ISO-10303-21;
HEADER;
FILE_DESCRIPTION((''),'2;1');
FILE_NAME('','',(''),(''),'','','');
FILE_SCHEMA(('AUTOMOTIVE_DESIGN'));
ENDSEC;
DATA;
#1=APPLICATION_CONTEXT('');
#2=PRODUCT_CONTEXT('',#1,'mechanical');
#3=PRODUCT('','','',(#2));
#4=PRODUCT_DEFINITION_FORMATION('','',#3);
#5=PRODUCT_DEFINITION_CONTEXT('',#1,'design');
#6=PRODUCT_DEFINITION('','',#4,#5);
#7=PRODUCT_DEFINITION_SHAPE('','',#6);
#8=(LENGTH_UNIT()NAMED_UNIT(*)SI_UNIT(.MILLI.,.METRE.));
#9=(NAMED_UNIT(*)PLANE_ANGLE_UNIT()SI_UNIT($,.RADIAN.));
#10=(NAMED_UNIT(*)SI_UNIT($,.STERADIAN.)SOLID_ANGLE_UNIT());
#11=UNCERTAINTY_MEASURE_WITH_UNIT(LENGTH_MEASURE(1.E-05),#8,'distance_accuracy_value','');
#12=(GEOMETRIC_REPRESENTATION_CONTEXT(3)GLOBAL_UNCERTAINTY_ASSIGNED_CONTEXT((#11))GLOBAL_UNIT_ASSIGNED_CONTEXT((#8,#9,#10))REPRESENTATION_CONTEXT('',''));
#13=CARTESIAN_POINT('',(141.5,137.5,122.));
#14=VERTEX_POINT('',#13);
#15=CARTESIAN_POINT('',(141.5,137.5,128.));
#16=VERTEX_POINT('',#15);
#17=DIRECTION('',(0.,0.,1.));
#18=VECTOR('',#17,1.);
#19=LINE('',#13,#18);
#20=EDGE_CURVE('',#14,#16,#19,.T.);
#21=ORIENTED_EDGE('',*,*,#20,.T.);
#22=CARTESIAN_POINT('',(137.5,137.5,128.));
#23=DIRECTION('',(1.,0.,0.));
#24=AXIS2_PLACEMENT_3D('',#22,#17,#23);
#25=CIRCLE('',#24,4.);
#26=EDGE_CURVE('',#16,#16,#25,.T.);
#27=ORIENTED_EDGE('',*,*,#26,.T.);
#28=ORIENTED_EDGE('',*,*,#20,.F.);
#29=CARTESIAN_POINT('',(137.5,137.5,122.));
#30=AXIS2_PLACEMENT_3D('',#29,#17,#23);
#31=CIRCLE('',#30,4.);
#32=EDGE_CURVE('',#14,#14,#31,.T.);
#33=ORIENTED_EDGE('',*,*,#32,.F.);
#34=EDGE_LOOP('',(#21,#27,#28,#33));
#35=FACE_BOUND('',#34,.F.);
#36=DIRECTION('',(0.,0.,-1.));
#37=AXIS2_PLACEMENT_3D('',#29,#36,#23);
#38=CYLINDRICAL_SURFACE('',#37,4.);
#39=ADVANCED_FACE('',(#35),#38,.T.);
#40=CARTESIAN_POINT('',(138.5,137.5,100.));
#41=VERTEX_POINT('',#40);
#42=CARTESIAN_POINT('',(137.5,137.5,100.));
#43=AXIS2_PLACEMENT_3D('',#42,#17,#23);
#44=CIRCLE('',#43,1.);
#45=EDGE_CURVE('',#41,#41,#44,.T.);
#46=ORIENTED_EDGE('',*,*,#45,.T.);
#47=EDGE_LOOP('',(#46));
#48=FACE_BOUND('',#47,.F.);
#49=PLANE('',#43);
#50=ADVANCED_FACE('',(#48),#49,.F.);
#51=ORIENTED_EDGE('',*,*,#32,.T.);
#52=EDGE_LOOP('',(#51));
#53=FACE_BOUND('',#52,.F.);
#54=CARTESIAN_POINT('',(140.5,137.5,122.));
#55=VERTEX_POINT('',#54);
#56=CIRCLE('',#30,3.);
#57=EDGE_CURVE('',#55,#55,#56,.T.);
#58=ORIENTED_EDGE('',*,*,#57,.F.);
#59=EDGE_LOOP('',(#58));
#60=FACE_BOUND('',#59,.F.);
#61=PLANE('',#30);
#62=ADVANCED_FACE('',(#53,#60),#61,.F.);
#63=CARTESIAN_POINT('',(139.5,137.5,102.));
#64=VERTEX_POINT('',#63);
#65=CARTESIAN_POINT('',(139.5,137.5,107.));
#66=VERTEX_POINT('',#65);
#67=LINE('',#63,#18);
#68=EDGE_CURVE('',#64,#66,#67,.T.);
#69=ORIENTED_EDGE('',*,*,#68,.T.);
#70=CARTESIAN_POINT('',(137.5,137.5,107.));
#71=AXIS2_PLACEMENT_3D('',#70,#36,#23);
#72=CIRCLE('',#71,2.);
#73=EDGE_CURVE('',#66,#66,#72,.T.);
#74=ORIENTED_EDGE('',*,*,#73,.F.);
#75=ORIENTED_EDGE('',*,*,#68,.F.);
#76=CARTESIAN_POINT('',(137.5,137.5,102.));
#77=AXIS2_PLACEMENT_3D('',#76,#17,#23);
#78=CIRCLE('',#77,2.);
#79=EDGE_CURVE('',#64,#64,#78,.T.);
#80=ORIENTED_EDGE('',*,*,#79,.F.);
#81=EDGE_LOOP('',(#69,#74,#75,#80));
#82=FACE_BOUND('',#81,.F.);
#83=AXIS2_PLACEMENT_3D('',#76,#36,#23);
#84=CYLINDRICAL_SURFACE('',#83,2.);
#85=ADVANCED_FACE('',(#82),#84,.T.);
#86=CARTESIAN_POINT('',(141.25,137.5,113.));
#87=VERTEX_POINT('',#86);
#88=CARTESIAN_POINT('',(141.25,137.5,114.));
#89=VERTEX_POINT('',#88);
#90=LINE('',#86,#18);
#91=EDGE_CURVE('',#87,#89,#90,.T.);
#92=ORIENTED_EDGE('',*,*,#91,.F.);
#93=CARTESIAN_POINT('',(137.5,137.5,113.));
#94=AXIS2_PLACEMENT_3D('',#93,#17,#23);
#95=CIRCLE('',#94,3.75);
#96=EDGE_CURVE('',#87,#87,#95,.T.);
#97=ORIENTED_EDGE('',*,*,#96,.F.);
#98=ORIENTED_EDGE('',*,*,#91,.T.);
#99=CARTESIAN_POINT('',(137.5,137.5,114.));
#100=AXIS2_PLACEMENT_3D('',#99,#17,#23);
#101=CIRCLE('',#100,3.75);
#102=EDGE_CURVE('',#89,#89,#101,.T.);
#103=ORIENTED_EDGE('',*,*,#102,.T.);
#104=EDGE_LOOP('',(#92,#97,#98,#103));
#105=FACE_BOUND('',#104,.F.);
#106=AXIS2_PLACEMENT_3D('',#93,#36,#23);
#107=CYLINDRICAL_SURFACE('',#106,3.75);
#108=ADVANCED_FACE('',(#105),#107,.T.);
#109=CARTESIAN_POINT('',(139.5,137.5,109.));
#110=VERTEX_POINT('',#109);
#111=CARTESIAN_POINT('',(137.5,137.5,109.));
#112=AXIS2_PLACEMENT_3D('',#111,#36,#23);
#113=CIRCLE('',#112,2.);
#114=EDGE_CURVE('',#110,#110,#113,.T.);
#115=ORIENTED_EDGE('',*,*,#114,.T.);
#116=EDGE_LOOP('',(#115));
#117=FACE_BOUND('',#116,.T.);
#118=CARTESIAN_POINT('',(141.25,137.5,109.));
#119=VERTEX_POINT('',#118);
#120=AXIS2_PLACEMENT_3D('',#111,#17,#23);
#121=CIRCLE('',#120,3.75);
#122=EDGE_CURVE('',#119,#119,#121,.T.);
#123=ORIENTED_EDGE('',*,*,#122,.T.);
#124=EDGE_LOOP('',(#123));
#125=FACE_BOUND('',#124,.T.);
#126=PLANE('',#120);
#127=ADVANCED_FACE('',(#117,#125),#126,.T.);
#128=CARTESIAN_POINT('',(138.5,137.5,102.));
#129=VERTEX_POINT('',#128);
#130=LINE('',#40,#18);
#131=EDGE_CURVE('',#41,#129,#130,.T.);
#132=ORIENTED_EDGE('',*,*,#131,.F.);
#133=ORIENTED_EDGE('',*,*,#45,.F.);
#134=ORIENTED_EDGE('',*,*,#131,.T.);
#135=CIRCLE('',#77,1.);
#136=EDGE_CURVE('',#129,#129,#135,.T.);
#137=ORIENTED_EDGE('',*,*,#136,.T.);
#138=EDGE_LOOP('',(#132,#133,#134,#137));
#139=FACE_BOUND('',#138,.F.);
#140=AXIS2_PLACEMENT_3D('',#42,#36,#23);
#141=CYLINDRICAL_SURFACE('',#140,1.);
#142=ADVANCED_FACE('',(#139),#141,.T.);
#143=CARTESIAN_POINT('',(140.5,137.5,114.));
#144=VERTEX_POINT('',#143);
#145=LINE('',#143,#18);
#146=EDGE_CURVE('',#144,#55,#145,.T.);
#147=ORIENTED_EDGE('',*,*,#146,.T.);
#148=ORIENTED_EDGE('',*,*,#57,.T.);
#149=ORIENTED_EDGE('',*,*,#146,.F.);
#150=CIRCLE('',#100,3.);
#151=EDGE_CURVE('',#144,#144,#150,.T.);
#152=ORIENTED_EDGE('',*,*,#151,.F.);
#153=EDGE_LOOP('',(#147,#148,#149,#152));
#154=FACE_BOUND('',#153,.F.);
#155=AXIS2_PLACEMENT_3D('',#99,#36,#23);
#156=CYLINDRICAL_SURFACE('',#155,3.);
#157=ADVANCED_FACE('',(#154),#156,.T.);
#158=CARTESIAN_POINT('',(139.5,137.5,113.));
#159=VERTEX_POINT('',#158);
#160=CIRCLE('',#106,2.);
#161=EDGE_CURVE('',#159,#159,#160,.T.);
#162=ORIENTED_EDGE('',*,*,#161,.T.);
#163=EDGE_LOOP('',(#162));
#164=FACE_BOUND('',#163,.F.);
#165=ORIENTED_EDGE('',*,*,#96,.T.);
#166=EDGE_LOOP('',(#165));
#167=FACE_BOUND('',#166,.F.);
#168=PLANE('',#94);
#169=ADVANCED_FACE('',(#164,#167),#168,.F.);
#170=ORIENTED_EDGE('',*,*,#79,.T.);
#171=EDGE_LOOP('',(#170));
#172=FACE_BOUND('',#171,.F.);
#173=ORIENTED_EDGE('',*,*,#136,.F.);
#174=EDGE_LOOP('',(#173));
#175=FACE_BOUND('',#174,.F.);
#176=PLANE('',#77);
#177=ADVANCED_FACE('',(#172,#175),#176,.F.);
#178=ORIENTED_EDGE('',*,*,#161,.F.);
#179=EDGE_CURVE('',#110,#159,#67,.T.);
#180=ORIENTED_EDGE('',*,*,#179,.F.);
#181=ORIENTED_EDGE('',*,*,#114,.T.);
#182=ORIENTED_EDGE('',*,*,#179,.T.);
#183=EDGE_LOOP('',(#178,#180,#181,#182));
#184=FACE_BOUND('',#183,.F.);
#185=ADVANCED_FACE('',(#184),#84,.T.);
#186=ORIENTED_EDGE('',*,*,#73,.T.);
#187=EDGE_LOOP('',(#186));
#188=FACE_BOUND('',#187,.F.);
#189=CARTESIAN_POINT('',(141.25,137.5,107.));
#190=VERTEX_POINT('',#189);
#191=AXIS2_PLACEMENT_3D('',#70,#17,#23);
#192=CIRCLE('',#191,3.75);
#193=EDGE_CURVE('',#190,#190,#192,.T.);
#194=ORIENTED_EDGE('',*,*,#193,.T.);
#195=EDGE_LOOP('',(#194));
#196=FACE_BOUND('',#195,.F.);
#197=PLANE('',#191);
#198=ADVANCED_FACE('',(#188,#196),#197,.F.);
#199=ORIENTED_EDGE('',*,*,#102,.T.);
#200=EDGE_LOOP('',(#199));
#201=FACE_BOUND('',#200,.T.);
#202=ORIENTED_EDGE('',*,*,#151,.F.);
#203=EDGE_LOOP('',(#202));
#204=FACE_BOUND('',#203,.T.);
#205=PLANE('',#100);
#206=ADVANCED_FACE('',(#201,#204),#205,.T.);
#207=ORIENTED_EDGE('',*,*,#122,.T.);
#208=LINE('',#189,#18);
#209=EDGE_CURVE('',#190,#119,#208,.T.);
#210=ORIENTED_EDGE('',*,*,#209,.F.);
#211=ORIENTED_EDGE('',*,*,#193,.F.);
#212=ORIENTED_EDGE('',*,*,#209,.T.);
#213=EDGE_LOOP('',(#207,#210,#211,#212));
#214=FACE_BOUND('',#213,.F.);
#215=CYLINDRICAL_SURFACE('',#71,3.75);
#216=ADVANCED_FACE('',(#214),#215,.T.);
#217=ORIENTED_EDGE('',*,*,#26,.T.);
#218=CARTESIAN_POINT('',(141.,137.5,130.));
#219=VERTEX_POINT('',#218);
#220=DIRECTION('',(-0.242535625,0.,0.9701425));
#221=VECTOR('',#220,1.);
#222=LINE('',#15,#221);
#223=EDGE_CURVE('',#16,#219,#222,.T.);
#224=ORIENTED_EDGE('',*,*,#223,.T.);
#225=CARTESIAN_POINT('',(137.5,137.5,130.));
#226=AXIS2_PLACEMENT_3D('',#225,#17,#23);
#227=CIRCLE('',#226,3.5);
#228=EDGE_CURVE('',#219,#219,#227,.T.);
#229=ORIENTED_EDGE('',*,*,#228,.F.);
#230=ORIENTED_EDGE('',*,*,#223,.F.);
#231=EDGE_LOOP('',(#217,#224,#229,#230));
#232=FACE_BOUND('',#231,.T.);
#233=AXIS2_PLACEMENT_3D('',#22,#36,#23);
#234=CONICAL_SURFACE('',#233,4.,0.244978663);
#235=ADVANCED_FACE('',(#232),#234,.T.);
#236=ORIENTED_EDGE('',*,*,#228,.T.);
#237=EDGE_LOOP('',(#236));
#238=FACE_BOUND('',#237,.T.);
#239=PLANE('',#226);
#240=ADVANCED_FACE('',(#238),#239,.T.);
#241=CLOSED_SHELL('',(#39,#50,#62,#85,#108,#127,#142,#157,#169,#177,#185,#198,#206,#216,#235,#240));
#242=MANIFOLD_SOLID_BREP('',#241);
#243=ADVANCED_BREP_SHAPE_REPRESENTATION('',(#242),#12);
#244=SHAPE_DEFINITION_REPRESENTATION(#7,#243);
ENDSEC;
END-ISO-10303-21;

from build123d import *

# Parameters (mm, degrees)
CYLINDER020_R     = 2
CYLINDER020_DEPTH = 28
CYLINDER021_R     = 3.75
CYLINDER021_DEPTH = 2
CYLINDER022_R     = 3.75
CYLINDER022_DEPTH = 1
CYLINDER023_R     = 3
CYLINDER023_DEPTH = 8
CYLINDER024_R     = 4
CYLINDER024_DEPTH = 6
CYLINDER025_R     = 1
CYLINDER025_DEPTH = 2


with BuildPart() as cylinder020:
    # Cylinder020 → Cylinder020 (new body)
    with BuildSketch(Plane.XY):
        Circle(CYLINDER020_R)
    extrude(amount=CYLINDER020_DEPTH)


with BuildPart() as cylinder021:
    # Cylinder021 → Cylinder021 (new body)
    with BuildSketch(Plane.XY.offset(5)):
        Circle(CYLINDER021_R)
    extrude(amount=CYLINDER021_DEPTH)


with BuildPart() as cylinder022:
    # Cylinder022 → Cylinder022 (new body)
    with BuildSketch(Plane.XY.offset(11)):
        Circle(CYLINDER022_R)
    extrude(amount=CYLINDER022_DEPTH)


with BuildPart() as cylinder023:
    # Cylinder023 → Cylinder023 (new body)
    with BuildSketch(Plane.XY.offset(12)):
        Circle(CYLINDER023_R)
    extrude(amount=CYLINDER023_DEPTH)


with BuildPart() as cylinder024:
    # Cylinder024 → Cylinder024 (new body)
    with BuildSketch(Plane.XY.offset(20)):
        Circle(CYLINDER024_R)
    extrude(amount=CYLINDER024_DEPTH)


with BuildPart() as fusion002:
    # Cone → Cone (revolve)
    with BuildSketch(Plane(origin=(0, 0, 26), x_dir=(1, 0, 0), z_dir=(0, -1, 0))):
        Polygon((0, 0), (4, 0), (3.5, 2), (0, 2), align=None)
    revolve(axis=Axis((0, 0, 26), (0, 0, 1)))

    # Fusion002: union Cylinder020, Cylinder021, Cylinder022, Cylinder023, Cylinder024
    add(cylinder020.part)
    add(cylinder021.part)
    add(cylinder022.part)
    add(cylinder023.part)
    add(cylinder024.part)


with BuildPart() as mic:
    # Cylinder025 → Cylinder025 (new body)
    with BuildSketch(Plane.XY.offset(-2)):
        Circle(CYLINDER025_R)
    extrude(amount=CYLINDER025_DEPTH)

    # Fusion003: union Fusion002
    add(fusion002.part)


with BuildPart() as mic_1:
    # Fusion003 placement: moved
    add(mic.part.moved(Location((137.5, 137.5, 102))))


solid = mic_1.part
